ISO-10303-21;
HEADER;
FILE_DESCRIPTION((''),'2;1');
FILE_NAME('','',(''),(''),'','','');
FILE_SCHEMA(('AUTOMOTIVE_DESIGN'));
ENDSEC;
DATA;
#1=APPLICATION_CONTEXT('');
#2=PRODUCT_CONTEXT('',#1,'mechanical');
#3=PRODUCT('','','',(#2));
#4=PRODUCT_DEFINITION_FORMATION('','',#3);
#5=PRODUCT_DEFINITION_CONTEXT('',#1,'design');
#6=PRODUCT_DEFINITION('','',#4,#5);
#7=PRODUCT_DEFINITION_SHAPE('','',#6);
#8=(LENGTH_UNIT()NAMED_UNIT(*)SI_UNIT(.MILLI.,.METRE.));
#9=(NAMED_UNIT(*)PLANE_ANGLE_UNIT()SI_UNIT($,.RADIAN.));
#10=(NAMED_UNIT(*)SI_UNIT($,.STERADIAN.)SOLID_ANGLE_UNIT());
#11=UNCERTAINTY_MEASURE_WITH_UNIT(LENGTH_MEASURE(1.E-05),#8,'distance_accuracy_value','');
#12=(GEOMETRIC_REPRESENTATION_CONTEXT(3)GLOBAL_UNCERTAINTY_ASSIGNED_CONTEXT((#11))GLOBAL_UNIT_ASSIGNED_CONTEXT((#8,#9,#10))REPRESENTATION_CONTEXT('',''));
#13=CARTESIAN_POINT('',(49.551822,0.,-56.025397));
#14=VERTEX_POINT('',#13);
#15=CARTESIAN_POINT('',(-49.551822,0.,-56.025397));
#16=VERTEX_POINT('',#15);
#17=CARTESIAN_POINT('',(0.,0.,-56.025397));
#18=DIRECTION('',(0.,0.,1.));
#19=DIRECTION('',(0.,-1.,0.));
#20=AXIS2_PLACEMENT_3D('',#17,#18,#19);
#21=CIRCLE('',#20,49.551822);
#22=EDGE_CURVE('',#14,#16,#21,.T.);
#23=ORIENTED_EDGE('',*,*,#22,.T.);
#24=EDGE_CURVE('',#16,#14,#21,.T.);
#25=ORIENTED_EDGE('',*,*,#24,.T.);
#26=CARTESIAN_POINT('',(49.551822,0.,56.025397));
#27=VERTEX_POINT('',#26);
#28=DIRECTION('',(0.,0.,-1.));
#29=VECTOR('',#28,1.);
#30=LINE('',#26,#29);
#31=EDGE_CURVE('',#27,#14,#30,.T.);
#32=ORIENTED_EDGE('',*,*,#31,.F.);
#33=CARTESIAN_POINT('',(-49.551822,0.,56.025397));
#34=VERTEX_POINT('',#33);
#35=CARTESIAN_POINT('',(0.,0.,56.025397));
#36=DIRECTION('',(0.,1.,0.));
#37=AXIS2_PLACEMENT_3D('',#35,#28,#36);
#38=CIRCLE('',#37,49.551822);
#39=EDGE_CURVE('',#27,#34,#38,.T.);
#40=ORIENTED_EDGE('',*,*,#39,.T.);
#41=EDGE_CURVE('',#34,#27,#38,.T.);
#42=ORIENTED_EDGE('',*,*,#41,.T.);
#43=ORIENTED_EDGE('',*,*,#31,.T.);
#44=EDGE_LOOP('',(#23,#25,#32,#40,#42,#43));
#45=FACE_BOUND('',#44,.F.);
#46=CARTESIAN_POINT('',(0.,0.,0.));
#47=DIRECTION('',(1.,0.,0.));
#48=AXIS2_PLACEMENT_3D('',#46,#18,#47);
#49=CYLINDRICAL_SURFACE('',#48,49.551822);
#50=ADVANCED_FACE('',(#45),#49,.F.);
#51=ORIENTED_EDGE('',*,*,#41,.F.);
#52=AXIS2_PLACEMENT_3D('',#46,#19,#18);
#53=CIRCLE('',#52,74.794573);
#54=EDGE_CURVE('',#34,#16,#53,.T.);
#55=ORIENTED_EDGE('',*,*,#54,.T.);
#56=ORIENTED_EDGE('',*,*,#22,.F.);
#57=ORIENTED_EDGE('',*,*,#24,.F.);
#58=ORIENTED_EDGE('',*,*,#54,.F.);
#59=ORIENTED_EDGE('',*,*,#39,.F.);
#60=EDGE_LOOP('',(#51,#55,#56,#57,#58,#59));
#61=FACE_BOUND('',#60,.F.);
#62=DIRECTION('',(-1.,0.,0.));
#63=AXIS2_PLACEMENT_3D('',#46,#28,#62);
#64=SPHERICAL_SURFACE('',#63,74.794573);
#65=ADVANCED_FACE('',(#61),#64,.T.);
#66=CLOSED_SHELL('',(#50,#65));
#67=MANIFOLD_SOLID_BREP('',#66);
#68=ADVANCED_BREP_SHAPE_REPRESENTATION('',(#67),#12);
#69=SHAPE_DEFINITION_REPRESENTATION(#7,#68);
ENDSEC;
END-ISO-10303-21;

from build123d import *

# Parameters (mm, degrees)
F2_R          = 49.551822
F3_DEPTH      = 74.795573
F3_DEPTH_BACK = 74.795573


with BuildPart() as f1:
    # F0 (on Front) → F1 (revolve)
    with BuildSketch(Plane.XZ):
        with BuildLine():
            Line((0, -74.794573), (0, 74.794573))
            ThreePointArc((0, 74.794573), (-74.794573, 0), (0, -74.794573))
        make_face()
    revolve(axis=Axis((0, 0, 86.102903), (0, 0, 1)))

    # F2 (on Top) → F3 (cut, two sides)
    with BuildSketch(Plane.XY) as f3_sk:
        Circle(F2_R)
    extrude(amount=F3_DEPTH, mode=Mode.SUBTRACT)
    extrude(f3_sk.sketch, amount=-F3_DEPTH_BACK, mode=Mode.SUBTRACT)


solid = f1.part
